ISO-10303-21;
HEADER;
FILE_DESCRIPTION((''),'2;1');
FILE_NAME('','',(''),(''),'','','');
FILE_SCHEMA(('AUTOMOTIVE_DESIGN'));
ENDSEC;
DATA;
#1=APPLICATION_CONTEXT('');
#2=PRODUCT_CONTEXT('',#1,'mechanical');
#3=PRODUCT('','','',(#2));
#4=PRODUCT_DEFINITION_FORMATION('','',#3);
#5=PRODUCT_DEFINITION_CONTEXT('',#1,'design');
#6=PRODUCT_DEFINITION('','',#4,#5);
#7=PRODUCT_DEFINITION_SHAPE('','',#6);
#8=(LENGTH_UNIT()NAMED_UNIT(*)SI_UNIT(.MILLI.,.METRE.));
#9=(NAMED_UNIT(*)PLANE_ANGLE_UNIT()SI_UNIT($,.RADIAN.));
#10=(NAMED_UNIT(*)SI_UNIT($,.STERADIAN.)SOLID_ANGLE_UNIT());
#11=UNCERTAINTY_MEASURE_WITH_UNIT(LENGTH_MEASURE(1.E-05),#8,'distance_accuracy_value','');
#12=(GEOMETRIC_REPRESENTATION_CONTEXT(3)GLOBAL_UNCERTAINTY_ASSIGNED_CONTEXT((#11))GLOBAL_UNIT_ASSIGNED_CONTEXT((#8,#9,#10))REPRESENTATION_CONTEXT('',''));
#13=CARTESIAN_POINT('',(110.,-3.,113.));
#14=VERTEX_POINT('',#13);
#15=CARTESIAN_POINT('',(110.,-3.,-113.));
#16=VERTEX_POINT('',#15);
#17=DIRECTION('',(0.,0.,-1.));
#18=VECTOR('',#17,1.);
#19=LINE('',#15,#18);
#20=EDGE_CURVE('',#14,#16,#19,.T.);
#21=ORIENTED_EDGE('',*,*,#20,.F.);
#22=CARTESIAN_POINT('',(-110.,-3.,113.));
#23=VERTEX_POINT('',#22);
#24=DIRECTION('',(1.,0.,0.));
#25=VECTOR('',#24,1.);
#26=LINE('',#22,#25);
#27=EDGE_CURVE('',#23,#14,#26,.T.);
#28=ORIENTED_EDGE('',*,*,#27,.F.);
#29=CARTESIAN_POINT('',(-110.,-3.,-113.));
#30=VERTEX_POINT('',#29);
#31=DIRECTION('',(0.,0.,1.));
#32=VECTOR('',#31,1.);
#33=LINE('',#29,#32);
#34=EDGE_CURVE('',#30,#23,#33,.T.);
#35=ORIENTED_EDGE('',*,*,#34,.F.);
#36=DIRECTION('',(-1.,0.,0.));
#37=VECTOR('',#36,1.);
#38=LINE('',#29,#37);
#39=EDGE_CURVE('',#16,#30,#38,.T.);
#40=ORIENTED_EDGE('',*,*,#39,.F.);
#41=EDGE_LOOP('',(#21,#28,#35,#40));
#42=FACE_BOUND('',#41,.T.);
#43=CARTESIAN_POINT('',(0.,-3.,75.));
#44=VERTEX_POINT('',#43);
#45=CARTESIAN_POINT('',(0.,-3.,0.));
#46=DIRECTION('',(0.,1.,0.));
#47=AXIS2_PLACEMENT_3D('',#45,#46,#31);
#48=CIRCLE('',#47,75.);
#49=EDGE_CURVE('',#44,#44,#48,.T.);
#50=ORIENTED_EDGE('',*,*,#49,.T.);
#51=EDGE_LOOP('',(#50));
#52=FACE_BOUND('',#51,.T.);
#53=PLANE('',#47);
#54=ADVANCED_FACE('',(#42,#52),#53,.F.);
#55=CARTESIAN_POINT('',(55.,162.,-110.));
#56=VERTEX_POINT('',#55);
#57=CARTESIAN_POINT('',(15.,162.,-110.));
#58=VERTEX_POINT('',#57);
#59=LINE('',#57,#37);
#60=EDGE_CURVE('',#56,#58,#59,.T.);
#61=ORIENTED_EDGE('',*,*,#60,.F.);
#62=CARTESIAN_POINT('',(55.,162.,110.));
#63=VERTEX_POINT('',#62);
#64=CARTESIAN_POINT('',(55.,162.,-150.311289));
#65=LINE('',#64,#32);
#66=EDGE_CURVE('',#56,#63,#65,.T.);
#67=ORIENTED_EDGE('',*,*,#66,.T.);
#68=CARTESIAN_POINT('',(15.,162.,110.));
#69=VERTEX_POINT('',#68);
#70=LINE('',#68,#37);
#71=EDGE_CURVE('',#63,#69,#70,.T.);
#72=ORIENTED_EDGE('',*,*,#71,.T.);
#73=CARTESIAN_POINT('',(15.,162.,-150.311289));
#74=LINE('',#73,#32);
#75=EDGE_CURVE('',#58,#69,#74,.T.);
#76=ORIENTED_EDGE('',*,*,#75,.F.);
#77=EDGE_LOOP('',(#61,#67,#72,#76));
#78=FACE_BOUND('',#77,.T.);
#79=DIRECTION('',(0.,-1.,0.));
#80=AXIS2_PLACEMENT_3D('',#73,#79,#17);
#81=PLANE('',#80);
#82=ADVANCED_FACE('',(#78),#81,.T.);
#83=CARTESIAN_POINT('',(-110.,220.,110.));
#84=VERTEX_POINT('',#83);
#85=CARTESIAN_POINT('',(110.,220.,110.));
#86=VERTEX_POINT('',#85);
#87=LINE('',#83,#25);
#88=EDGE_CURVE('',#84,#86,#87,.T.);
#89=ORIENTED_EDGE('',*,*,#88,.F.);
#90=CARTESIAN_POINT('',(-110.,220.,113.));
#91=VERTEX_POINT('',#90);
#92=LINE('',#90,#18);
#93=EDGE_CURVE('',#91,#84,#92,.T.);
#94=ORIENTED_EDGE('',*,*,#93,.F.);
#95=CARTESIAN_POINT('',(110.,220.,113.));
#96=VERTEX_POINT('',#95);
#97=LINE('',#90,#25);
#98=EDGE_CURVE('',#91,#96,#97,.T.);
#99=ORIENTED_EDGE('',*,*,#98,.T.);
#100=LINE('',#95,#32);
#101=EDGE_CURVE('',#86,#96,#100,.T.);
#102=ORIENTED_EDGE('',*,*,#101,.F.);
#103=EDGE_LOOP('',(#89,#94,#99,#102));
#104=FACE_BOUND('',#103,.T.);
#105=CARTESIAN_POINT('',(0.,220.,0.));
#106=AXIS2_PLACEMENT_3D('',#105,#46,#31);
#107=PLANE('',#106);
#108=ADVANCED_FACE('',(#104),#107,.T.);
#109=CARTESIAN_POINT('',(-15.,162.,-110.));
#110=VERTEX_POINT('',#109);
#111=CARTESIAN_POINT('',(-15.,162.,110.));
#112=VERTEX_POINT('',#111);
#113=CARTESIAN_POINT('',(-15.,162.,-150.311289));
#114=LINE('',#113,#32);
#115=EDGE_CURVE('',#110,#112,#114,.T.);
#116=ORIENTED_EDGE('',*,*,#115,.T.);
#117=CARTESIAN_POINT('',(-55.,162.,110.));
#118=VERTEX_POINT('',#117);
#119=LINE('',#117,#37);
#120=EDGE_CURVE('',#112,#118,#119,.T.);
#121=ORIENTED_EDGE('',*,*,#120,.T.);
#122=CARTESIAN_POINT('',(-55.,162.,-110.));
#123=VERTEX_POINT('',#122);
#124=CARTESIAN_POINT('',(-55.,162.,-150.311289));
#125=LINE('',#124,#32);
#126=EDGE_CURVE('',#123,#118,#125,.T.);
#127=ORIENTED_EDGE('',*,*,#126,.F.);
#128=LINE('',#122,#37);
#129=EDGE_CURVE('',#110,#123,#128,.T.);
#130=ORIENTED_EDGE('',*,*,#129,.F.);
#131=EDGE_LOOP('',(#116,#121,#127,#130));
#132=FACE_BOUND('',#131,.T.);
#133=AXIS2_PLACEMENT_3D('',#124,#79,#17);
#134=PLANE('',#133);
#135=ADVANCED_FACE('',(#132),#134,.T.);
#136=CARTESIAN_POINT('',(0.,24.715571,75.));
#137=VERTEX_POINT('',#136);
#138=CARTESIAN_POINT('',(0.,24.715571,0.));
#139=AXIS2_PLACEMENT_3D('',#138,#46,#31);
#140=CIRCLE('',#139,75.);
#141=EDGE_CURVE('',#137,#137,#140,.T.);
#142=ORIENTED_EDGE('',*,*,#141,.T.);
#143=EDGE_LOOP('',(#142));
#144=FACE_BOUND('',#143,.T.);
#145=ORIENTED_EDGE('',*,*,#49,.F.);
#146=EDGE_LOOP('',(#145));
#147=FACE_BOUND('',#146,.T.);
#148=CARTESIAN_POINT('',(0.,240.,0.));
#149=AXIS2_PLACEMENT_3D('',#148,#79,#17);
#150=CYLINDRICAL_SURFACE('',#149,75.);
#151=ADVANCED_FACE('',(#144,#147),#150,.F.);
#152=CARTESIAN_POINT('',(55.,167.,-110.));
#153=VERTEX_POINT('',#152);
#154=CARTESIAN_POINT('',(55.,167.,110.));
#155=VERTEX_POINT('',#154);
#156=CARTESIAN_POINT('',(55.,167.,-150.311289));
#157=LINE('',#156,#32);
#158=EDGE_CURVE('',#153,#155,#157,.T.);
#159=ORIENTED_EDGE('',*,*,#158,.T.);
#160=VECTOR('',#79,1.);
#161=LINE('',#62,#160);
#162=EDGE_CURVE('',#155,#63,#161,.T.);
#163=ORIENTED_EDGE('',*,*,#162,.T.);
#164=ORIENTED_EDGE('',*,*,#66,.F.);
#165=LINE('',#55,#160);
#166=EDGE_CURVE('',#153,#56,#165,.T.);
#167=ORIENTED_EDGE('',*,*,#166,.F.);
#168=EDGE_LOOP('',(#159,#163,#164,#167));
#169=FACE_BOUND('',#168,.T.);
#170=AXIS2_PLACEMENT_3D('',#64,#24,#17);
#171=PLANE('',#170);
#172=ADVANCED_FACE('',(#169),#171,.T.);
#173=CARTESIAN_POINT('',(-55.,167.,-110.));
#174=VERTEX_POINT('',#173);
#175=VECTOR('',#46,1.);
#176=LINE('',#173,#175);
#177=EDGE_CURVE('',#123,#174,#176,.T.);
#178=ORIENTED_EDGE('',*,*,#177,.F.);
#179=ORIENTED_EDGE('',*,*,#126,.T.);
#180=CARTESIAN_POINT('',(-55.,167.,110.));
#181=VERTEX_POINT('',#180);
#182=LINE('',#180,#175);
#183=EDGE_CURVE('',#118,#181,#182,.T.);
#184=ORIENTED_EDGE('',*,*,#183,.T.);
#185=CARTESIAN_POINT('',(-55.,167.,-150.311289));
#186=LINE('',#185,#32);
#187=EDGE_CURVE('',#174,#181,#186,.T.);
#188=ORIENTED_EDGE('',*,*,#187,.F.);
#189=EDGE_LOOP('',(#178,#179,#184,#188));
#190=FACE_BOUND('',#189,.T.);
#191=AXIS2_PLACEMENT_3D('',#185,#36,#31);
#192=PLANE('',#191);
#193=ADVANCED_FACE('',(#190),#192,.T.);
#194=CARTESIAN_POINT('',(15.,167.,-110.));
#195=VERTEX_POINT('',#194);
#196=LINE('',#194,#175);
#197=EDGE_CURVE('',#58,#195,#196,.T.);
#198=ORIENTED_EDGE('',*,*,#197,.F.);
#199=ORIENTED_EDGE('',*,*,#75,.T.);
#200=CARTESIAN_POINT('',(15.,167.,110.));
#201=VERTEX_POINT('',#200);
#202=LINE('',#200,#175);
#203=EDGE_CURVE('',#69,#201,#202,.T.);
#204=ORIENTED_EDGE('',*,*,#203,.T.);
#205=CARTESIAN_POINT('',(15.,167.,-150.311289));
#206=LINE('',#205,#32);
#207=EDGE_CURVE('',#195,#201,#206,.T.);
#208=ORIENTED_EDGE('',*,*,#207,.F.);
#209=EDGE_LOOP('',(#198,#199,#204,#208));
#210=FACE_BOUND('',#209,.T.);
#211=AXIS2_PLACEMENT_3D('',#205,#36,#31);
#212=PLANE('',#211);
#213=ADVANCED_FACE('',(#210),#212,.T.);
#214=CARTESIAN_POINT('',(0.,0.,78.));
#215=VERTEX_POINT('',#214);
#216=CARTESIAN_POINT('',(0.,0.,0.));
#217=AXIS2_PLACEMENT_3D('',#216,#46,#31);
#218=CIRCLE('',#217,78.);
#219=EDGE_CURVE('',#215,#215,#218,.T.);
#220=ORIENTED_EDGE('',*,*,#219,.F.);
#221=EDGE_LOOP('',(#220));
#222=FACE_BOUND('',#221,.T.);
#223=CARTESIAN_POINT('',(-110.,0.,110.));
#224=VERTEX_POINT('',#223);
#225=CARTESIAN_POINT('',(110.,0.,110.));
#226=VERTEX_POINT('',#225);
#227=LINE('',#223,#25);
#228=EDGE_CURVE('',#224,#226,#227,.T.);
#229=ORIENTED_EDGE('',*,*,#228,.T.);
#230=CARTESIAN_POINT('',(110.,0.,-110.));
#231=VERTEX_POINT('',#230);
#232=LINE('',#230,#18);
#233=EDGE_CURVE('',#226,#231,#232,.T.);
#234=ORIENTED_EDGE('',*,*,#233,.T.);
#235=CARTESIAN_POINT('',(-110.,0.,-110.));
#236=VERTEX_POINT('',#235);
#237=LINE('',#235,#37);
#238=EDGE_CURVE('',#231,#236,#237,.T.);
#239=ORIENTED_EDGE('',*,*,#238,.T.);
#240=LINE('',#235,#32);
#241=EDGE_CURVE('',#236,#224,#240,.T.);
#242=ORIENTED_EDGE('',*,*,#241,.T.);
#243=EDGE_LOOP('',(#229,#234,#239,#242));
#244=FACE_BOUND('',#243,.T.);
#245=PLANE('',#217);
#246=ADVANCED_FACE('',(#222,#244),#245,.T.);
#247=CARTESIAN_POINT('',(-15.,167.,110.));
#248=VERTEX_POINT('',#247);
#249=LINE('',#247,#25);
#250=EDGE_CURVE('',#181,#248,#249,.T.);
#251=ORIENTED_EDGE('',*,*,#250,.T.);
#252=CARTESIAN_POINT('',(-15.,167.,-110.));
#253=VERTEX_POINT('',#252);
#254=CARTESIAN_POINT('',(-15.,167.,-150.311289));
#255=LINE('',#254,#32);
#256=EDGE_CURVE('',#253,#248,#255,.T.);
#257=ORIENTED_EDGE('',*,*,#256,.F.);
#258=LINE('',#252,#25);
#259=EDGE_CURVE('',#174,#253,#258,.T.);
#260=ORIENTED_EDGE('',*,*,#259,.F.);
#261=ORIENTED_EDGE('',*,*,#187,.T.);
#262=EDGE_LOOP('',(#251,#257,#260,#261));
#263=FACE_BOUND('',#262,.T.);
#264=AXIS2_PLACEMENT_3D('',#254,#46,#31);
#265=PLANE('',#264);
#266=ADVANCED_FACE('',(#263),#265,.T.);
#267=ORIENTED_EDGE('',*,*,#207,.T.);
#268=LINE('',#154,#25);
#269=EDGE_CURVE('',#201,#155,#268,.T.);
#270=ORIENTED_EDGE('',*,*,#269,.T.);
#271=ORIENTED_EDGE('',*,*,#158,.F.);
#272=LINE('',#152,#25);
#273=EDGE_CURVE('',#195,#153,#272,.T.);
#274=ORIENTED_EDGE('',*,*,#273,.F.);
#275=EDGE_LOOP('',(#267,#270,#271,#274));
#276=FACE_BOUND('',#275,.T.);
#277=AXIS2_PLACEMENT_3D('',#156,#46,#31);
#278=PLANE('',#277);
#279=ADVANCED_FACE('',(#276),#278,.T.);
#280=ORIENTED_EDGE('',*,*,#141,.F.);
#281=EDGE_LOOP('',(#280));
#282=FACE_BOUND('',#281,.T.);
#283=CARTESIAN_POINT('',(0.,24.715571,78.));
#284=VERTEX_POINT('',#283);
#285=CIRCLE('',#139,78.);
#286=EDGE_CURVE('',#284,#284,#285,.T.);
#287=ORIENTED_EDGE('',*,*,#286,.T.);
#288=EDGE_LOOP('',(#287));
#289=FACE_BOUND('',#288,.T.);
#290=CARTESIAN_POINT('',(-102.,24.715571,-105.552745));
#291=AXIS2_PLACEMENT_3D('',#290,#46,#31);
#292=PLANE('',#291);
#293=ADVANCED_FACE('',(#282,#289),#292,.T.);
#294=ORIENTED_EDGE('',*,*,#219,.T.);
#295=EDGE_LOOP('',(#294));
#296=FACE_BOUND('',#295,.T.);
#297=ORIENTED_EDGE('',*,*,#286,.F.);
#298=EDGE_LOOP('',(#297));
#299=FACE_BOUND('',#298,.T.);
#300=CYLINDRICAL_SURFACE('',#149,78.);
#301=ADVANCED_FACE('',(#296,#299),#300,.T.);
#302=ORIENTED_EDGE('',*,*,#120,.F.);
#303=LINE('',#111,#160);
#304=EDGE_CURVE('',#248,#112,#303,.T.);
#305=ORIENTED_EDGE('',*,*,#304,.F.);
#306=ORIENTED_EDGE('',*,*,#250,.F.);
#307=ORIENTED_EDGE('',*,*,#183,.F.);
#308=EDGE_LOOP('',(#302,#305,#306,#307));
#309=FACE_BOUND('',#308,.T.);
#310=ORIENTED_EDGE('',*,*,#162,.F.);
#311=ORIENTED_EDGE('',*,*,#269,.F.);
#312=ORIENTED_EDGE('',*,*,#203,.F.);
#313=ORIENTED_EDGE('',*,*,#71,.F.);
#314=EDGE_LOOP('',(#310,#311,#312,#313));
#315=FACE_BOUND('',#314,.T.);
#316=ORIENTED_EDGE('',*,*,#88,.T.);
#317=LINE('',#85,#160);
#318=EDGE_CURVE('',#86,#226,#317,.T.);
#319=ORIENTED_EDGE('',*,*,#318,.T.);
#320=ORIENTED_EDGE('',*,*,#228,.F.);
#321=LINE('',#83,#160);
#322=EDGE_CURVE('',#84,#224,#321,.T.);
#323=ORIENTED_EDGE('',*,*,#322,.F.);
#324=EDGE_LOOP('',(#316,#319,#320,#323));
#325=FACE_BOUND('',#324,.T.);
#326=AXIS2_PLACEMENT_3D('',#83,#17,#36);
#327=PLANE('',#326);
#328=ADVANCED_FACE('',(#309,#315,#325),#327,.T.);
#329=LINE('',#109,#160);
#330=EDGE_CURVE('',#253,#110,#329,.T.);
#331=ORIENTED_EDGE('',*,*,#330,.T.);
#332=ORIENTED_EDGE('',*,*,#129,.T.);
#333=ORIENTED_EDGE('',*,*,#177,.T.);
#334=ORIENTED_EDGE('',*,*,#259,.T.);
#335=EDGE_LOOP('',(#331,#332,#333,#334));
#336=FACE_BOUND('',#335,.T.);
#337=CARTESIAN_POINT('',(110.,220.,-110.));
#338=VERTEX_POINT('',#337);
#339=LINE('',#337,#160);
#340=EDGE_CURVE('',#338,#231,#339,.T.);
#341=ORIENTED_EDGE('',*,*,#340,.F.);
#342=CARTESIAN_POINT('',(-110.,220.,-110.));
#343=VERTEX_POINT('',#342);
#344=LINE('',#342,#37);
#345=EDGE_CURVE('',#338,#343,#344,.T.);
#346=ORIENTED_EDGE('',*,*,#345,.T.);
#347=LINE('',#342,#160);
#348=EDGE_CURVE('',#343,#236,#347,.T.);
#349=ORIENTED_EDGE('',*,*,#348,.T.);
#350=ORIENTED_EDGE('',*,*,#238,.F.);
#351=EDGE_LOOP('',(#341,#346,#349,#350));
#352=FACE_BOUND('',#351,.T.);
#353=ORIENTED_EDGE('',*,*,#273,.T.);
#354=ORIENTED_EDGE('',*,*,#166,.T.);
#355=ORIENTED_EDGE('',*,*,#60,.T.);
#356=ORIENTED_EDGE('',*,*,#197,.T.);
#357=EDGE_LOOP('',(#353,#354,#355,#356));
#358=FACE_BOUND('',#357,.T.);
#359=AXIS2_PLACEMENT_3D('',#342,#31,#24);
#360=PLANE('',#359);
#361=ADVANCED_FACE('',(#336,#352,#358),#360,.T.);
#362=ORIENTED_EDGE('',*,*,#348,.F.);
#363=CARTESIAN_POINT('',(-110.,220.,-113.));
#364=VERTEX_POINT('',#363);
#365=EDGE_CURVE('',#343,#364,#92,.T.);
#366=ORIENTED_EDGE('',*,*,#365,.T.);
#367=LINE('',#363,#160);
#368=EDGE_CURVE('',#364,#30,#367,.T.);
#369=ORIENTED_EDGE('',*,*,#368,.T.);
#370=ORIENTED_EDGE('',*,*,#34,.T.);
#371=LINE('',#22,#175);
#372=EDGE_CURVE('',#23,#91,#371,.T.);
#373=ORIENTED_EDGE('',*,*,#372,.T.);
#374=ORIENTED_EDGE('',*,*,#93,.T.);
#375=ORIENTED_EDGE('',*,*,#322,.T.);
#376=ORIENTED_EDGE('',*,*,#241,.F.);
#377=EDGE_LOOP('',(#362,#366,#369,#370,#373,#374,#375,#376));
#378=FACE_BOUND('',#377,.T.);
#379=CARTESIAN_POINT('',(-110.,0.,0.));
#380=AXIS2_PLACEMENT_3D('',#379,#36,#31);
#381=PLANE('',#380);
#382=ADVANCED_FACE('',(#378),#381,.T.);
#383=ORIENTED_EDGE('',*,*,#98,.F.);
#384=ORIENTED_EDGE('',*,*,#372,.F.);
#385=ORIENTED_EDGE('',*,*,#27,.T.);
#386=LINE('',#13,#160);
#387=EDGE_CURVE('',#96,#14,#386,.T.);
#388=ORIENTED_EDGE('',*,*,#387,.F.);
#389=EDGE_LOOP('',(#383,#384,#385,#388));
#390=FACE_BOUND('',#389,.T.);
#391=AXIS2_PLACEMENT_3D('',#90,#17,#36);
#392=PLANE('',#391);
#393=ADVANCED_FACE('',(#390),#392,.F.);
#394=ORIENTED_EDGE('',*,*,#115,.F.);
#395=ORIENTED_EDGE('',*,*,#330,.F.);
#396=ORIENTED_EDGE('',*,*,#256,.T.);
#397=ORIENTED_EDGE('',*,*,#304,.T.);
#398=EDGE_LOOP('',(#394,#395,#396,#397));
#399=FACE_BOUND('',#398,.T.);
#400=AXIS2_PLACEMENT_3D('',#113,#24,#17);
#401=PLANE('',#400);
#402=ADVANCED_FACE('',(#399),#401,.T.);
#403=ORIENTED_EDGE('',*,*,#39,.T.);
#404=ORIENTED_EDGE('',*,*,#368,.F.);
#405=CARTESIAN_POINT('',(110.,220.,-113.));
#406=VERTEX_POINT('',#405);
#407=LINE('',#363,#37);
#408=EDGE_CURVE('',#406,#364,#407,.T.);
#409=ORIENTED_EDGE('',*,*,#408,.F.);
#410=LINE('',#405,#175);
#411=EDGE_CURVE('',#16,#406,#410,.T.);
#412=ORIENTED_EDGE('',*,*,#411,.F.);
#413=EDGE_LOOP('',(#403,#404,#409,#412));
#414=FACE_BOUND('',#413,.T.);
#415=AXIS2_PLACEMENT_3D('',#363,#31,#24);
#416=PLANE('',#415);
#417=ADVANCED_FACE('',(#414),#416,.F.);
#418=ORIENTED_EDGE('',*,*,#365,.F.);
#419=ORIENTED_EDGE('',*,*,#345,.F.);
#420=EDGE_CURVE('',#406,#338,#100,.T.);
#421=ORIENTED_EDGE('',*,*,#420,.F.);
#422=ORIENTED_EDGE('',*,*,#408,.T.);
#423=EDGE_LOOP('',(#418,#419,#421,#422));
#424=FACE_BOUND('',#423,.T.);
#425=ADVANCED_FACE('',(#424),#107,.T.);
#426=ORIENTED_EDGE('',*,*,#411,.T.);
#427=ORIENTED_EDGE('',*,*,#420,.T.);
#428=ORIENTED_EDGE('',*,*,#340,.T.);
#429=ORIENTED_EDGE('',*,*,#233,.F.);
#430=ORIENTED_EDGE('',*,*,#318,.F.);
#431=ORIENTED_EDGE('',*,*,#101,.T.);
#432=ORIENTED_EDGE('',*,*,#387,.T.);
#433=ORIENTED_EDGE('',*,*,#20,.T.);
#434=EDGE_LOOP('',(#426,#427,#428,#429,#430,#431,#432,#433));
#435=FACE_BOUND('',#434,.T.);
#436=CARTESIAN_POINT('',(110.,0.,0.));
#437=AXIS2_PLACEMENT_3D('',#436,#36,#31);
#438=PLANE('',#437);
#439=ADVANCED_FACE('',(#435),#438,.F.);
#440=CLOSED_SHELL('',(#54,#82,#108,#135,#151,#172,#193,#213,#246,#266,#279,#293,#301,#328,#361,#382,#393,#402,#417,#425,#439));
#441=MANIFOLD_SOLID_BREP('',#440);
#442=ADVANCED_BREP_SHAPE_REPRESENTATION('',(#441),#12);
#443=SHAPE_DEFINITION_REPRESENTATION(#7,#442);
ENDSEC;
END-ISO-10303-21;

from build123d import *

# Parameters (mm, degrees)
SKETCH_1_W                  = 220
SKETCH_1_H                  = 220
EXTRUDE_2_DEPTH             = 220
SKETCH_3_R                  = 78
CUT_EXTRUDE_1_DEPTH         = 240
SHELL_2_T                   = 3
SKETCH_5_W                  = 207.122367347
SKETCH_5_H                  = 195.284428571
CUT_EXTRUDE_3_DEPTH         = 180
SKETCH_12_W                 = 226
SKETCH_12_H                 = 223
CUT_EXTRUDE_6_DEPTH         = 3
SKETCH_13_W                 = 226
SKETCH_13_H                 = 223
CUT_EXTRUDE_7_DEPTH         = 3
EXTRUDE_6_REACH             = 272.682
SKETCH_16_W                 = 40
SKETCH_16_H                 = 5
EXTRUDE_6_DIRECTION_2_REACH = 272.682


with BuildPart() as part:
    # 草图1 → 凸台-拉伸2 (new body)
    with BuildSketch(Plane(origin=(0, 0, 0), x_dir=(1, 0, 0), z_dir=(0, 1, 0))):
        Rectangle(SKETCH_1_W, SKETCH_1_H)
    extrude(amount=EXTRUDE_2_DEPTH)

    # 草图3 → 切除-拉伸1 (cut)
    with BuildSketch(Plane(origin=(0, 0, 0), x_dir=(1, 0, 0), z_dir=(0, 1, 0))):
        with Locations(Location((0, 0, 0), (0, 0, 270))):
            Circle(SKETCH_3_R)
    extrude(amount=CUT_EXTRUDE_1_DEPTH, mode=Mode.SUBTRACT)

    # 抽壳2
    shell_2_openings = [part.faces().sort_by_distance(p)[0] for p in [
        (0, 220, -106.888730163),
    ]]
    offset(amount=SHELL_2_T, openings=shell_2_openings, kind=Kind.INTERSECTION)

    # 草图5 → 切除-拉伸3 (cut)
    with BuildSketch(Plane.ZY.offset(-78)):
        with Locations((-1.991561224, 122.357785714)):
            Rectangle(SKETCH_5_W, SKETCH_5_H)
    extrude(amount=CUT_EXTRUDE_3_DEPTH, mode=Mode.SUBTRACT)

    # 草图12 → 切除-拉伸6 (cut)
    with BuildSketch(Plane(origin=(113, 0, 0), x_dir=(0, 0, -1), z_dir=(1, 0, 0))):
        with Locations((0, 108.5)):
            Rectangle(SKETCH_12_W, SKETCH_12_H)
    extrude(amount=-CUT_EXTRUDE_6_DEPTH, mode=Mode.SUBTRACT)

    # 草图13 → 切除-拉伸7 (cut)
    with BuildSketch(Plane.ZY.offset(113)):
        with Locations((0, 108.5)):
            Rectangle(SKETCH_13_W, SKETCH_13_H)
    extrude(amount=-CUT_EXTRUDE_7_DEPTH, mode=Mode.SUBTRACT)

    # 凸台-拉伸6: up to this face of the body (flat: up to its plane)
    extrude_6_end = Plane(part.part.faces().sort_by_distance((0, 110, -110))[0])
    # 草图16 → 凸台-拉伸6 (add, up to the picked face)
    with BuildSketch(Plane.XY, mode=Mode.PRIVATE) as extrude_6_sk1:
        with Locations((-35, 164.5)):
            Rectangle(SKETCH_16_W, SKETCH_16_H)
    extrude_6_tool1 = split(extrude(extrude_6_sk1.sketch, amount=-EXTRUDE_6_REACH, mode=Mode.PRIVATE), bisect_by=extrude_6_end, keep=Keep.BOTH, mode=Mode.PRIVATE)
    # 草图16 → 凸台-拉伸6 (add, up to the picked face)
    with BuildSketch(Plane.XY, mode=Mode.PRIVATE) as extrude_6_sk2:
        with Locations((35, 164.5)):
            Rectangle(SKETCH_16_W, SKETCH_16_H)
    extrude_6_tool2 = split(extrude(extrude_6_sk2.sketch, amount=-EXTRUDE_6_REACH, mode=Mode.PRIVATE), bisect_by=extrude_6_end, keep=Keep.BOTH, mode=Mode.PRIVATE)
    add(extrude_6_tool1.solids().sort_by(Axis((-35, 164.5, 0), (0, 0, -1)))[0])
    add(extrude_6_tool2.solids().sort_by(Axis((35, 164.5, 0), (0, 0, -1)))[0])

    # 凸台-拉伸6 direction 2: up to this face of the body (flat: up to its plane)
    extrude_6_direction_2_end = Plane(part.part.faces().sort_by_distance((0, 110, 110))[0])
    # 草图16 → 凸台-拉伸6 direction 2 (add, up to the picked face)
    with BuildSketch(Plane.XY, mode=Mode.PRIVATE) as extrude_6_direction_2_sk1:
        with Locations((-35, 164.5)):
            Rectangle(SKETCH_16_W, SKETCH_16_H)
    extrude_6_direction_2_tool1 = split(extrude(extrude_6_direction_2_sk1.sketch, amount=EXTRUDE_6_DIRECTION_2_REACH, mode=Mode.PRIVATE), bisect_by=extrude_6_direction_2_end, keep=Keep.BOTH, mode=Mode.PRIVATE)
    # 草图16 → 凸台-拉伸6 direction 2 (add, up to the picked face)
    with BuildSketch(Plane.XY, mode=Mode.PRIVATE) as extrude_6_direction_2_sk2:
        with Locations((35, 164.5)):
            Rectangle(SKETCH_16_W, SKETCH_16_H)
    extrude_6_direction_2_tool2 = split(extrude(extrude_6_direction_2_sk2.sketch, amount=EXTRUDE_6_DIRECTION_2_REACH, mode=Mode.PRIVATE), bisect_by=extrude_6_direction_2_end, keep=Keep.BOTH, mode=Mode.PRIVATE)
    add(extrude_6_direction_2_tool1.solids().sort_by(Axis((-35, 164.5, 0), (0, 0, 1)))[0])
    add(extrude_6_direction_2_tool2.solids().sort_by(Axis((35, 164.5, 0), (0, 0, 1)))[0])


solid = part.part
